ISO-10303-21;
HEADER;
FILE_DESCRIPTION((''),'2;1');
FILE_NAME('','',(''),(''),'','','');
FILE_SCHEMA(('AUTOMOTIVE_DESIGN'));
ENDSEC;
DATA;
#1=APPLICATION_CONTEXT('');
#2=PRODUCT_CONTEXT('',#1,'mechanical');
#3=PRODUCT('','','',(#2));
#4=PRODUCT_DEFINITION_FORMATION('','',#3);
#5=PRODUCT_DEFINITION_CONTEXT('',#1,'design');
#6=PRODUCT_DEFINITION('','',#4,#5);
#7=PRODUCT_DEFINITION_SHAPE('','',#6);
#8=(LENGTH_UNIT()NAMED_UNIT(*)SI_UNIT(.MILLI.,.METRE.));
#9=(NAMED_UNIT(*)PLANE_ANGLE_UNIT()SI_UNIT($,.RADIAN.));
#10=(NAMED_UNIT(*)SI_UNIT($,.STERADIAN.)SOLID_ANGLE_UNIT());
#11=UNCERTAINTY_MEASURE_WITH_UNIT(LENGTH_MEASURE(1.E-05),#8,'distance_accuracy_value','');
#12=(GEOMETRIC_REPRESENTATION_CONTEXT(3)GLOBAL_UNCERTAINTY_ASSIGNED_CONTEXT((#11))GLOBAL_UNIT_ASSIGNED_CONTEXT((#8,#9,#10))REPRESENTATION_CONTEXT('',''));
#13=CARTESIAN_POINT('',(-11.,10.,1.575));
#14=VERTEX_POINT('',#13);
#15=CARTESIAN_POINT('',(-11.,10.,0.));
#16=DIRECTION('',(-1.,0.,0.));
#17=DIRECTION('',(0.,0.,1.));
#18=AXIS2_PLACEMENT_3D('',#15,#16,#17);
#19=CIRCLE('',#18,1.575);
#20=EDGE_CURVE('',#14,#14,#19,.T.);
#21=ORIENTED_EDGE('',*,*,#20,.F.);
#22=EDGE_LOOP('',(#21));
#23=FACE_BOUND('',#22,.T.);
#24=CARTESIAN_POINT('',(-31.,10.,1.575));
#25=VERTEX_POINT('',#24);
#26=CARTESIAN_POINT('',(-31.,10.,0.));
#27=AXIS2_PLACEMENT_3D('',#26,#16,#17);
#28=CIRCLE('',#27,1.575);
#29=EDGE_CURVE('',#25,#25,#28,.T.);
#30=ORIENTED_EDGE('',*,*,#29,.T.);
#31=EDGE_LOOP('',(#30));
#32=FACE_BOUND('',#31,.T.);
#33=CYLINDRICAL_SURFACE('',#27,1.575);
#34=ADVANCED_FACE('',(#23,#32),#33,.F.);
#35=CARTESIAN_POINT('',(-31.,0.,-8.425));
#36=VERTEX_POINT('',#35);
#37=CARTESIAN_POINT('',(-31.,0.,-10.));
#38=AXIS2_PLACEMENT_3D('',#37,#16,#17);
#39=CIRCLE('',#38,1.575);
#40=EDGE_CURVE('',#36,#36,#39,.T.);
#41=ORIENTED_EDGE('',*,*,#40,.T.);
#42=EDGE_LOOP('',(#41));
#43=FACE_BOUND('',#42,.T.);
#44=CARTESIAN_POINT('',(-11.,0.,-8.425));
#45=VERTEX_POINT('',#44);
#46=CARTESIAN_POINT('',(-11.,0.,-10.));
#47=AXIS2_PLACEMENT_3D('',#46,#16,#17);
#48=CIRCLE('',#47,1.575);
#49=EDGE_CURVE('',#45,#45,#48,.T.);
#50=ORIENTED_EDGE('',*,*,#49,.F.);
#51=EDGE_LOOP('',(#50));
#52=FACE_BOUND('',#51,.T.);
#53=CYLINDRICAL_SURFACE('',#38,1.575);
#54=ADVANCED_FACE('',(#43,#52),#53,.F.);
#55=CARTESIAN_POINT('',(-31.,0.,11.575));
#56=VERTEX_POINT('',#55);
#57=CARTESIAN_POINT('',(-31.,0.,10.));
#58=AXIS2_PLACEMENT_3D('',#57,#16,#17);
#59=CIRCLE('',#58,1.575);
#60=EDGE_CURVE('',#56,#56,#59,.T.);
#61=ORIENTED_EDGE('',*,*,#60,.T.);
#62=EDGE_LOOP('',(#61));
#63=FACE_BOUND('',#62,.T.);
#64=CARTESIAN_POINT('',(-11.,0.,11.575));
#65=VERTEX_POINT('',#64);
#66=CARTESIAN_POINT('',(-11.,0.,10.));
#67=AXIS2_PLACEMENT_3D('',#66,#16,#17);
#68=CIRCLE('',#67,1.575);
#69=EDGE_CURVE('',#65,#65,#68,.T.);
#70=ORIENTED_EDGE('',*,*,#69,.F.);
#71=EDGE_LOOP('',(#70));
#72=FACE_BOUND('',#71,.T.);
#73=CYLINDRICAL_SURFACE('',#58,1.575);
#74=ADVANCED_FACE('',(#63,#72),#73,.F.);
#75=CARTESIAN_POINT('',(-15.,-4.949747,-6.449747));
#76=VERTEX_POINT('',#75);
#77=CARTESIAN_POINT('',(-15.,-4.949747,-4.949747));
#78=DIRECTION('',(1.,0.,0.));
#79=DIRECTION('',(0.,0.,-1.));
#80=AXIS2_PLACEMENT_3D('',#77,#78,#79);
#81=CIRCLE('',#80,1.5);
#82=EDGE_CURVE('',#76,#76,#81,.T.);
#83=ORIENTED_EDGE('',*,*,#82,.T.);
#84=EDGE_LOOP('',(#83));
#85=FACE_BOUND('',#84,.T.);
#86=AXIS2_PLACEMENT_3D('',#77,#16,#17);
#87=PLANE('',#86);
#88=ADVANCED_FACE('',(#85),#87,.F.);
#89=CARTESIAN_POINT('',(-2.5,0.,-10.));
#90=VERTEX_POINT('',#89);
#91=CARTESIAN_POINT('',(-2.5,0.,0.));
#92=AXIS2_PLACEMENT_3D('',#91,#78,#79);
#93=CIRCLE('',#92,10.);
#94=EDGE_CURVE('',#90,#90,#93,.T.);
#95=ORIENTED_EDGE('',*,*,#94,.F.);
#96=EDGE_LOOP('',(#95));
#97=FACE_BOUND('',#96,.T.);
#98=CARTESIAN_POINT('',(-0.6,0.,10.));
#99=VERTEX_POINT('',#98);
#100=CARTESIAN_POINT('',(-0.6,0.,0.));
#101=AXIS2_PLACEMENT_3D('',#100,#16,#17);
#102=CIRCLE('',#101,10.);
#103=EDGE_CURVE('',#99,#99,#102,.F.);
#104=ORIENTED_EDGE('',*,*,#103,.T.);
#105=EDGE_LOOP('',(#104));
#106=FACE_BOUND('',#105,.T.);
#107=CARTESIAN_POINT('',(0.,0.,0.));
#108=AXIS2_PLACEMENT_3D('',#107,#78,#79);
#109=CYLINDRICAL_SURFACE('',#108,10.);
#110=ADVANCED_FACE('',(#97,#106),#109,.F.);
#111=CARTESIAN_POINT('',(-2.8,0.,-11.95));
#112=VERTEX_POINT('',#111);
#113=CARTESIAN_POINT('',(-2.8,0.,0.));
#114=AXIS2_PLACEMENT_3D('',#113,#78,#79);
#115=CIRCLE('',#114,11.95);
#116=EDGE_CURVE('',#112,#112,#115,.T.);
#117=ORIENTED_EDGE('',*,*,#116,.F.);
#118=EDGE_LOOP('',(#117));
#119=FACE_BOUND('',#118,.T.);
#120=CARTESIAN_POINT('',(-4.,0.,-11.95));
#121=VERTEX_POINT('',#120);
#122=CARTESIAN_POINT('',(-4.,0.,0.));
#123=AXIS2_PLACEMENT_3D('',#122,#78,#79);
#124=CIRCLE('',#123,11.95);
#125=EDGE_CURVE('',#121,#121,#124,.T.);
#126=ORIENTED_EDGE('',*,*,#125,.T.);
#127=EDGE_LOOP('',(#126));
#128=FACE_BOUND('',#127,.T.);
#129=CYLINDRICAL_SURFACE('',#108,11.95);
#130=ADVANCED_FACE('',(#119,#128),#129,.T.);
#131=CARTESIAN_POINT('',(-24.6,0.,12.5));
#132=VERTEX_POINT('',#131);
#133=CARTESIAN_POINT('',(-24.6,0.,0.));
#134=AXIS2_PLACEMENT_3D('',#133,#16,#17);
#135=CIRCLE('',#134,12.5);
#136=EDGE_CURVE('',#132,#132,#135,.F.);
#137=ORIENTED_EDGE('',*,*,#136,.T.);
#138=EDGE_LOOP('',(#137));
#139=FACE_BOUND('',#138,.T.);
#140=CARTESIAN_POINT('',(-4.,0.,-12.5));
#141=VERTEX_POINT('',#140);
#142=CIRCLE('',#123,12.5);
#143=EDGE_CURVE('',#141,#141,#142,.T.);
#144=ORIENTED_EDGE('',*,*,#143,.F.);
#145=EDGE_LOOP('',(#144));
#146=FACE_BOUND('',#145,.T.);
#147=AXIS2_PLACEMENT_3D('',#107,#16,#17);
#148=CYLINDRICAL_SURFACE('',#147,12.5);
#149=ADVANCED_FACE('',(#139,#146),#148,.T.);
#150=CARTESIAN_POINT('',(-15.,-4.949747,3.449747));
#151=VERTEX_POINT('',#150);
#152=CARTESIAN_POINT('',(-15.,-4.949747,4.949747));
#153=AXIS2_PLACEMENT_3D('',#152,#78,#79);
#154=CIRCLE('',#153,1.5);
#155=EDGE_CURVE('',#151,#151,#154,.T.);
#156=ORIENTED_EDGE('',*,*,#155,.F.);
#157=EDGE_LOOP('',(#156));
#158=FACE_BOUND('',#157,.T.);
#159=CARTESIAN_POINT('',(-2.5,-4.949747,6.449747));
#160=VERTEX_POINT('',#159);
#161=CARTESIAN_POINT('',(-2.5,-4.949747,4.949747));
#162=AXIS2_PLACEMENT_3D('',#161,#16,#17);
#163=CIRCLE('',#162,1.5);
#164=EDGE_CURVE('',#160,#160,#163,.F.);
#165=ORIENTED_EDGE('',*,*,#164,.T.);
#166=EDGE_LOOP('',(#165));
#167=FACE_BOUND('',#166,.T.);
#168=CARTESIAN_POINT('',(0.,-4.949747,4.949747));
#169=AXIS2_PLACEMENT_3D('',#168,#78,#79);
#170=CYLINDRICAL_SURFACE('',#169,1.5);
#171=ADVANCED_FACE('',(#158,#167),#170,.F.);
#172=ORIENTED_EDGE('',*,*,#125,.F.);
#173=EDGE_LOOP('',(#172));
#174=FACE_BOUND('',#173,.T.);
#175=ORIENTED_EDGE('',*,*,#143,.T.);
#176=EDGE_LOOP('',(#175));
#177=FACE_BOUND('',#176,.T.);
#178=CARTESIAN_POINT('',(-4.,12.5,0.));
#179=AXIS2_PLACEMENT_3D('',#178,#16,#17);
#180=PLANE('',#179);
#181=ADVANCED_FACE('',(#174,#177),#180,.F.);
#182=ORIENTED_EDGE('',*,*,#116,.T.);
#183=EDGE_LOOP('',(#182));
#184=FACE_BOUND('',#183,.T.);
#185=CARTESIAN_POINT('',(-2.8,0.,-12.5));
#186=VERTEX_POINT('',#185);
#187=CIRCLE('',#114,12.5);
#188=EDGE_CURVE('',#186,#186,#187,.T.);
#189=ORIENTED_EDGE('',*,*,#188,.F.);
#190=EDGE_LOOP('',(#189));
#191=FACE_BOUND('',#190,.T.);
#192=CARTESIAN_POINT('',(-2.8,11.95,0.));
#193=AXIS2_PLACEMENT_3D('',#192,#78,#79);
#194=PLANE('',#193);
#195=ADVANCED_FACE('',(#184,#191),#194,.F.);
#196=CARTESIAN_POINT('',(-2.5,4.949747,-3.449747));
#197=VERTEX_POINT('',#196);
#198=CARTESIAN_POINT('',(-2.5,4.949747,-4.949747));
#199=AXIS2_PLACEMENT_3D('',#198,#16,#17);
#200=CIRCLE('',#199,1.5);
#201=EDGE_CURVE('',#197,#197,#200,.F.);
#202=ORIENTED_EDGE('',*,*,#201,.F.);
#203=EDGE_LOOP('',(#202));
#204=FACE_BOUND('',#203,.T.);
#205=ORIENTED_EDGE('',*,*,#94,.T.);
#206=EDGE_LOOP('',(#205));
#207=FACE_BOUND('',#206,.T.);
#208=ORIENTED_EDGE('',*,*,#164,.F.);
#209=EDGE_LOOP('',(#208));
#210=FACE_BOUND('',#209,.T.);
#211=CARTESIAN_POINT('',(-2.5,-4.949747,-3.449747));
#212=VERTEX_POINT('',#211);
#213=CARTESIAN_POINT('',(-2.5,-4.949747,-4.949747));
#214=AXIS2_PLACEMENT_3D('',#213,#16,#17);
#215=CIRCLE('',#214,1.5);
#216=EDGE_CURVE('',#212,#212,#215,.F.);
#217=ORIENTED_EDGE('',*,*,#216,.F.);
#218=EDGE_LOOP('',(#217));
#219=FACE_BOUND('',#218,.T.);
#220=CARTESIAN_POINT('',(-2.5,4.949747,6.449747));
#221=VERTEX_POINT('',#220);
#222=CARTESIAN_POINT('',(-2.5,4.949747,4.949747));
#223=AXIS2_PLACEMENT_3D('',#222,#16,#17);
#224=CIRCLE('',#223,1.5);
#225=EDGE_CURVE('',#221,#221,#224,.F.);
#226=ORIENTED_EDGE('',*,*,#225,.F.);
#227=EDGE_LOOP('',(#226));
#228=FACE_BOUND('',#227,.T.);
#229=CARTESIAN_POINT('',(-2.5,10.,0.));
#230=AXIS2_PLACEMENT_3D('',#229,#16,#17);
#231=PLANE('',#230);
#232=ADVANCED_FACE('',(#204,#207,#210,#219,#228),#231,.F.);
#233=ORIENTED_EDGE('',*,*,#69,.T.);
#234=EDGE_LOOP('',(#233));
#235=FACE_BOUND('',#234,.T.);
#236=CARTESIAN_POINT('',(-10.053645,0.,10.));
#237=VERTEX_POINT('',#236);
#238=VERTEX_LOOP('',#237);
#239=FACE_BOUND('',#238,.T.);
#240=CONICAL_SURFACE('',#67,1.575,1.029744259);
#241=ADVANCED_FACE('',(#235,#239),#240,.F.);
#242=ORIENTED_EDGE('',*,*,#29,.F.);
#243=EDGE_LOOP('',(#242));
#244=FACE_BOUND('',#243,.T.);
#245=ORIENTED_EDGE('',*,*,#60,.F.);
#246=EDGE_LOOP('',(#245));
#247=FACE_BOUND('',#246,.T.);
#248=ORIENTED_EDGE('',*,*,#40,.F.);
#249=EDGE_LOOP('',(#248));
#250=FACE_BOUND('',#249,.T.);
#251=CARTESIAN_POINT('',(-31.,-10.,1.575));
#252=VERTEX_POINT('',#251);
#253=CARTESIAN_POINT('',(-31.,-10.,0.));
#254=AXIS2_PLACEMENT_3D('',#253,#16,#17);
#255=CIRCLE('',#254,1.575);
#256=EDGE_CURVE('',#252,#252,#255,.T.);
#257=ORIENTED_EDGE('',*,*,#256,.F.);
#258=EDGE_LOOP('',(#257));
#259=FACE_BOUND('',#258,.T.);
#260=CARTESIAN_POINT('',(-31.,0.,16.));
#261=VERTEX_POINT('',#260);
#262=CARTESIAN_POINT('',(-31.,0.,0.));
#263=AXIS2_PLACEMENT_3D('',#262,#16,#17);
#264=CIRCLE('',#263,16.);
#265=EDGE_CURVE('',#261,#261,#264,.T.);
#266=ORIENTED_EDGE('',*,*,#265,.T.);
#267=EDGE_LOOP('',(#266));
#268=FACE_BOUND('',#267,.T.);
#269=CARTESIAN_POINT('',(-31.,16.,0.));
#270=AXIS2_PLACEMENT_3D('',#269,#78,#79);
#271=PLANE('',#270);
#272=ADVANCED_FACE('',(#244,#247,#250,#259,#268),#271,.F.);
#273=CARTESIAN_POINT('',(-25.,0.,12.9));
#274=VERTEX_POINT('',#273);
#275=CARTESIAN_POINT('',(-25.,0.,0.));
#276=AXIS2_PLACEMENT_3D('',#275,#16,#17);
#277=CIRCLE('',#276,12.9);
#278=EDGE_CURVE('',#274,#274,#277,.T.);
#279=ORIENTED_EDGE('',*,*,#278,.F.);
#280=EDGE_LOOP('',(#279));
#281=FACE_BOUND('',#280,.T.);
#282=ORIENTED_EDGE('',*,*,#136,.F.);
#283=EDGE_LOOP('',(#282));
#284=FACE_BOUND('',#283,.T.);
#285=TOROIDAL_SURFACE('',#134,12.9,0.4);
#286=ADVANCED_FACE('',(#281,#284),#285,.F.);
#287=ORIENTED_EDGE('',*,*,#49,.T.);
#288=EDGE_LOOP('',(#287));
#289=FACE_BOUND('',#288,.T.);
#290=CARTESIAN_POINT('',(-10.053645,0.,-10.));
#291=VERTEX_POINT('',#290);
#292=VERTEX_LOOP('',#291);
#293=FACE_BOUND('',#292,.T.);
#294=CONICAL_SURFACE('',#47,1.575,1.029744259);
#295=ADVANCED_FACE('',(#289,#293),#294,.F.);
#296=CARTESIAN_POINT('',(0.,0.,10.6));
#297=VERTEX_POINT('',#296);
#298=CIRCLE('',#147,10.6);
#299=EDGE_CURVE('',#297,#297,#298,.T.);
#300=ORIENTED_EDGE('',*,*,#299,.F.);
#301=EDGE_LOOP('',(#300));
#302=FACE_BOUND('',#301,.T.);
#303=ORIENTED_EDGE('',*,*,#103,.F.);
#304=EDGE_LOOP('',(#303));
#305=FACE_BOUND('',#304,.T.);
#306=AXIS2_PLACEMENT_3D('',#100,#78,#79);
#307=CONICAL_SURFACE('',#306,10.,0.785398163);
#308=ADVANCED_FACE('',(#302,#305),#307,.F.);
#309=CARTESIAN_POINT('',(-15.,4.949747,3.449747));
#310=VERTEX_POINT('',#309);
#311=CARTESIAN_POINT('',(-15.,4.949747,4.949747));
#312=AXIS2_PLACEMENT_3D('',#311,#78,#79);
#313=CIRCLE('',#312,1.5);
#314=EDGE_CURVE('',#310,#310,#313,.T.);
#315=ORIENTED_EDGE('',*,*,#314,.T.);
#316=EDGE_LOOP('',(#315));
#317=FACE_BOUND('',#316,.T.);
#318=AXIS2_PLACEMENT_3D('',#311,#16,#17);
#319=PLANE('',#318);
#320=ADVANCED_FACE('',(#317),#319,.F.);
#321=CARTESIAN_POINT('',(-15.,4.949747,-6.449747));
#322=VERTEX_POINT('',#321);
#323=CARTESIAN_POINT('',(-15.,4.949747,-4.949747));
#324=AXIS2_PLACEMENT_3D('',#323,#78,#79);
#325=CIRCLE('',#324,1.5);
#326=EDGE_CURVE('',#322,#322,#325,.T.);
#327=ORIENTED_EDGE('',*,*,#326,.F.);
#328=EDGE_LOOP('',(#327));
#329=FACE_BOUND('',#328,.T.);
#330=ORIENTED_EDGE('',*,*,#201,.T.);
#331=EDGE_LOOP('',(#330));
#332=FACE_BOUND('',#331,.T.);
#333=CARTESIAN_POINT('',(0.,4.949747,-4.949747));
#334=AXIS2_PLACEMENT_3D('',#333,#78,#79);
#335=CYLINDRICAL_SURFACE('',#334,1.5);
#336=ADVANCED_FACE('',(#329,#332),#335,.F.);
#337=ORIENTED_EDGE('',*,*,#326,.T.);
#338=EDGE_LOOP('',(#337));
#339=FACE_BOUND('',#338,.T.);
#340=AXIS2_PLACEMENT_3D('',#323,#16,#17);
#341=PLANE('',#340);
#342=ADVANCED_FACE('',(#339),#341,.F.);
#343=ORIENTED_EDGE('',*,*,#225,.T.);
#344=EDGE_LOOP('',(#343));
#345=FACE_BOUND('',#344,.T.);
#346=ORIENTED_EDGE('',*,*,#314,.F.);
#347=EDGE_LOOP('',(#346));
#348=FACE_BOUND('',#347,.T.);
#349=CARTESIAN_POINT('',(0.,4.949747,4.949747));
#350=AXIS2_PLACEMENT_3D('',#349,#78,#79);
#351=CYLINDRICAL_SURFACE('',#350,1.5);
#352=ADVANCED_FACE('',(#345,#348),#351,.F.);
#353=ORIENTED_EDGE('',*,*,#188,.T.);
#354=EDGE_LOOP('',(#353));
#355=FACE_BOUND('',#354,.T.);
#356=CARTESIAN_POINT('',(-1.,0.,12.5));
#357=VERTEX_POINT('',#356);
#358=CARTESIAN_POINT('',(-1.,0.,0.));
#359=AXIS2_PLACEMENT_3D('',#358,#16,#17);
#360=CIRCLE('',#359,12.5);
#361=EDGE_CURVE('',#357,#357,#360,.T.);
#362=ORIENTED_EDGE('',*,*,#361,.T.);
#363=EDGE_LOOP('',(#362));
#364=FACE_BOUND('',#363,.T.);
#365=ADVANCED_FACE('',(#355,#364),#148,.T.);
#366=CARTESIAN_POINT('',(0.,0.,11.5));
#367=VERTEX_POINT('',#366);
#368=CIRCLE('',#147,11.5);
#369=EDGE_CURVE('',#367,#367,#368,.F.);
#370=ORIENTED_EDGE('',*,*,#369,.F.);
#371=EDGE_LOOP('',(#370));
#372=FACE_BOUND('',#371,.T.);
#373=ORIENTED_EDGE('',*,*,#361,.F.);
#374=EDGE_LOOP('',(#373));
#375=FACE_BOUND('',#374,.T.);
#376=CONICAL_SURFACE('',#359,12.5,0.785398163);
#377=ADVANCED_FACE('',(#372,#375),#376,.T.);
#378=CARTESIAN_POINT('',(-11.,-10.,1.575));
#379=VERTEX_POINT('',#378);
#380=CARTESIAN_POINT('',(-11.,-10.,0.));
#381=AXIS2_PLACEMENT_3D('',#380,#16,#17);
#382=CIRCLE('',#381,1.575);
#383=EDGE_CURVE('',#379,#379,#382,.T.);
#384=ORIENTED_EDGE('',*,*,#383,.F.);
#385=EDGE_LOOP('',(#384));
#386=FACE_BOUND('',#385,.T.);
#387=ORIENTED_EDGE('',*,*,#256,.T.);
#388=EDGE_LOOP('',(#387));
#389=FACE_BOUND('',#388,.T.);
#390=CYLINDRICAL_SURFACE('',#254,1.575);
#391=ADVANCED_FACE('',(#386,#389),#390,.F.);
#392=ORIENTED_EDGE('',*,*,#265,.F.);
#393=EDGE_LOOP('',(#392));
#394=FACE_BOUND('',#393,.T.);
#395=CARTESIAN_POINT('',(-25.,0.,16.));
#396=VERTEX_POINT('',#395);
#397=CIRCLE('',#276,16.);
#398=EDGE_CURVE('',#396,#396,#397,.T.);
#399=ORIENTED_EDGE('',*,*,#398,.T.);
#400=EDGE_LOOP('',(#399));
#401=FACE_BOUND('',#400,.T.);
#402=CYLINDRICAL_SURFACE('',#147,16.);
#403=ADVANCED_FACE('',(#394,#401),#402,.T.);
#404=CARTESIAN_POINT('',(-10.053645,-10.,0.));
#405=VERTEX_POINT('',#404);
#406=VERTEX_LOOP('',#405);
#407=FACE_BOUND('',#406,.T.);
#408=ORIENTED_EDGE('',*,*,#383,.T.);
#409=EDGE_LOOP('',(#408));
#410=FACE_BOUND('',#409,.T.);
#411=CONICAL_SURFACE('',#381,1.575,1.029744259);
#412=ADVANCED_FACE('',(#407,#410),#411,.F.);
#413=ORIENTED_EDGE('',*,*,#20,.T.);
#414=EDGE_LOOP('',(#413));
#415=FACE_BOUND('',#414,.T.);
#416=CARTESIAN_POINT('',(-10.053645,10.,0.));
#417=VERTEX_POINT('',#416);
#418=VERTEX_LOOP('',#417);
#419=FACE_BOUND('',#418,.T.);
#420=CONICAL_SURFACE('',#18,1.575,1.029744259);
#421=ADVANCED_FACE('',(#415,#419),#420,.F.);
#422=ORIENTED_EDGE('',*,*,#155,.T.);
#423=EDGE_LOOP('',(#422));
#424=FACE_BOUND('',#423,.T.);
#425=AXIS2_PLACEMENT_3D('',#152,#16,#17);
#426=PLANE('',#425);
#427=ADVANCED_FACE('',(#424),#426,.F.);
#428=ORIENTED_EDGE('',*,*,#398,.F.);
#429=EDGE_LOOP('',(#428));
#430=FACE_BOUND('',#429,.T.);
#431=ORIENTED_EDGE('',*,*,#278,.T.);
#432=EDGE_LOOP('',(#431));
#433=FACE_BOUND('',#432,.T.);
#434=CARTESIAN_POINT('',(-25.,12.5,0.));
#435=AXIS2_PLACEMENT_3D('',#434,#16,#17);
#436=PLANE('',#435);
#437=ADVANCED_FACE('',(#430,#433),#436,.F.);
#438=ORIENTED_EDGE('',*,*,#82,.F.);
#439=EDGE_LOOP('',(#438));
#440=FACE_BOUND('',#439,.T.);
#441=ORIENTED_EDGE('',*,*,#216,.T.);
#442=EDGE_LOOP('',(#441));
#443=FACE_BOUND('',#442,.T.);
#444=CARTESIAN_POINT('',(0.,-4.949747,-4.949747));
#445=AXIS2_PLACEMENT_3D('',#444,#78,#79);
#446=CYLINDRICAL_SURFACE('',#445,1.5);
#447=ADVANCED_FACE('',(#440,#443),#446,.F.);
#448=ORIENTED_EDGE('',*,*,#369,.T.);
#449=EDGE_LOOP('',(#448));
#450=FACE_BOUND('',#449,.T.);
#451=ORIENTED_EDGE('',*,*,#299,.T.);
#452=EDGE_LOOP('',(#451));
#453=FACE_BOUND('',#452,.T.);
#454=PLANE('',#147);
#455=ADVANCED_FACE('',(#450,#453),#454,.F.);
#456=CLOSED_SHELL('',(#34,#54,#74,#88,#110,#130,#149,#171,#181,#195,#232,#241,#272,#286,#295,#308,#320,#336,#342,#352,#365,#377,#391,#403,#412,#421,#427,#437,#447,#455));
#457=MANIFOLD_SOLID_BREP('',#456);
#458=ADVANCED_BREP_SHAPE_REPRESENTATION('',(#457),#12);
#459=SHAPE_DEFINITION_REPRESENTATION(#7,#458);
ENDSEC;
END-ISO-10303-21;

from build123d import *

# Parameters (mm, degrees)
SKETCH_2_W               = 1.2
SKETCH_2_H               = 0.55
CHAMFER_1_SIZE           = 1
FILLET_1_R               = 0.4
HOLE_WIZARD_1_D          = 3
HOLE_WIZARD_1_DEPTH      = 15
PATTERN_CIRCULAR_1_COUNT = 4
SKETCH_5_W               = 2.5
SKETCH_5_H               = 10
CHAMFER_2_SIZE           = 0.6
PATTERN_CIRCULAR_2_COUNT = 4


with BuildPart() as part:
    # Эскиз1 → Повернуть1 (revolve)
    with BuildSketch(Plane.XY):
        Polygon((0, 0), (0, 12.5), (-25, 12.5), (-25, 16), (-31, 16), (-31, 0), align=None)
    revolve(axis=Axis((0, 0, 0), (1, 0, 0)))

    # Эскиз2 → Вырез-Повернуть1 (revolve, cut)
    with BuildSketch(Plane.XY):
        with Locations((-3.4, 12.225)):
            Rectangle(SKETCH_2_W, SKETCH_2_H)
    revolve(axis=Axis((0, 0, 0), (-1, 0, 0)), mode=Mode.SUBTRACT)

    # Фаска1
    chamfer_1_edges = [part.edges().sort_by_distance(p)[0] for p in [
        (0, -12.5, 0),
    ]]
    chamfer(chamfer_1_edges, length=CHAMFER_1_SIZE)

    # Скругление1
    fillet_1_edges = [part.edges().sort_by_distance(p)[0] for p in [
        (-25, -12.5, 0),
    ]]
    fillet(fillet_1_edges, radius=FILLET_1_R)

    # Отверстие1
    with Locations(Plane(origin=(0, 0, 0), x_dir=(0, 0, -1), z_dir=(1, 0, 0))):
        with Locations((4.949747468, 4.949747468)):
            hole_wizard_1 = Hole(HOLE_WIZARD_1_D / 2, depth=HOLE_WIZARD_1_DEPTH)

    # Круговой массив1: Отверстие1 ×4 about axis
    pattern_circular_1_axis = Axis((0, 0, 0), (1, 0, 0))
    for i in range(1, PATTERN_CIRCULAR_1_COUNT):
        add(hole_wizard_1.rotate(pattern_circular_1_axis, i * 360 / PATTERN_CIRCULAR_1_COUNT), mode=Mode.SUBTRACT)

    # Эскиз5 → Вырез-Повернуть2 (revolve, cut)
    with BuildSketch(Plane.XY):
        with Locations((-1.25, 5)):
            Rectangle(SKETCH_5_W, SKETCH_5_H)
    revolve(axis=Axis((0, 0, 0), (-1, 0, 0)), mode=Mode.SUBTRACT)

    # Фаска2
    chamfer_2_edges = [part.edges().sort_by_distance(p)[0] for p in [
        (0, -10, 0),
    ]]
    chamfer(chamfer_2_edges, length=CHAMFER_2_SIZE)

    # Эскиз7 → Сверло под метчик  спиральное M31 (revolve, cut)
    with BuildSketch(Plane(origin=(-31, 0, -10), x_dir=(0, 0, 1), z_dir=(0, 1, 0))):
        Polygon((0, 0), (0, 20.946355475), (1.575, 20), (1.575, 0), align=None)
    hole_wizard_m31 = revolve(axis=Axis((-37.35, 0, -10), (1, 0, 0)), mode=Mode.SUBTRACT)

    # Круговой массив2: Сверло под метчик  спиральное M31 ×4 about axis
    pattern_circular_2_axis = Axis((0, 0, 0), (1, 0, 0))
    for i in range(1, PATTERN_CIRCULAR_2_COUNT):
        add(hole_wizard_m31.rotate(pattern_circular_2_axis, i * 360 / PATTERN_CIRCULAR_2_COUNT), mode=Mode.SUBTRACT)


solid = part.part
